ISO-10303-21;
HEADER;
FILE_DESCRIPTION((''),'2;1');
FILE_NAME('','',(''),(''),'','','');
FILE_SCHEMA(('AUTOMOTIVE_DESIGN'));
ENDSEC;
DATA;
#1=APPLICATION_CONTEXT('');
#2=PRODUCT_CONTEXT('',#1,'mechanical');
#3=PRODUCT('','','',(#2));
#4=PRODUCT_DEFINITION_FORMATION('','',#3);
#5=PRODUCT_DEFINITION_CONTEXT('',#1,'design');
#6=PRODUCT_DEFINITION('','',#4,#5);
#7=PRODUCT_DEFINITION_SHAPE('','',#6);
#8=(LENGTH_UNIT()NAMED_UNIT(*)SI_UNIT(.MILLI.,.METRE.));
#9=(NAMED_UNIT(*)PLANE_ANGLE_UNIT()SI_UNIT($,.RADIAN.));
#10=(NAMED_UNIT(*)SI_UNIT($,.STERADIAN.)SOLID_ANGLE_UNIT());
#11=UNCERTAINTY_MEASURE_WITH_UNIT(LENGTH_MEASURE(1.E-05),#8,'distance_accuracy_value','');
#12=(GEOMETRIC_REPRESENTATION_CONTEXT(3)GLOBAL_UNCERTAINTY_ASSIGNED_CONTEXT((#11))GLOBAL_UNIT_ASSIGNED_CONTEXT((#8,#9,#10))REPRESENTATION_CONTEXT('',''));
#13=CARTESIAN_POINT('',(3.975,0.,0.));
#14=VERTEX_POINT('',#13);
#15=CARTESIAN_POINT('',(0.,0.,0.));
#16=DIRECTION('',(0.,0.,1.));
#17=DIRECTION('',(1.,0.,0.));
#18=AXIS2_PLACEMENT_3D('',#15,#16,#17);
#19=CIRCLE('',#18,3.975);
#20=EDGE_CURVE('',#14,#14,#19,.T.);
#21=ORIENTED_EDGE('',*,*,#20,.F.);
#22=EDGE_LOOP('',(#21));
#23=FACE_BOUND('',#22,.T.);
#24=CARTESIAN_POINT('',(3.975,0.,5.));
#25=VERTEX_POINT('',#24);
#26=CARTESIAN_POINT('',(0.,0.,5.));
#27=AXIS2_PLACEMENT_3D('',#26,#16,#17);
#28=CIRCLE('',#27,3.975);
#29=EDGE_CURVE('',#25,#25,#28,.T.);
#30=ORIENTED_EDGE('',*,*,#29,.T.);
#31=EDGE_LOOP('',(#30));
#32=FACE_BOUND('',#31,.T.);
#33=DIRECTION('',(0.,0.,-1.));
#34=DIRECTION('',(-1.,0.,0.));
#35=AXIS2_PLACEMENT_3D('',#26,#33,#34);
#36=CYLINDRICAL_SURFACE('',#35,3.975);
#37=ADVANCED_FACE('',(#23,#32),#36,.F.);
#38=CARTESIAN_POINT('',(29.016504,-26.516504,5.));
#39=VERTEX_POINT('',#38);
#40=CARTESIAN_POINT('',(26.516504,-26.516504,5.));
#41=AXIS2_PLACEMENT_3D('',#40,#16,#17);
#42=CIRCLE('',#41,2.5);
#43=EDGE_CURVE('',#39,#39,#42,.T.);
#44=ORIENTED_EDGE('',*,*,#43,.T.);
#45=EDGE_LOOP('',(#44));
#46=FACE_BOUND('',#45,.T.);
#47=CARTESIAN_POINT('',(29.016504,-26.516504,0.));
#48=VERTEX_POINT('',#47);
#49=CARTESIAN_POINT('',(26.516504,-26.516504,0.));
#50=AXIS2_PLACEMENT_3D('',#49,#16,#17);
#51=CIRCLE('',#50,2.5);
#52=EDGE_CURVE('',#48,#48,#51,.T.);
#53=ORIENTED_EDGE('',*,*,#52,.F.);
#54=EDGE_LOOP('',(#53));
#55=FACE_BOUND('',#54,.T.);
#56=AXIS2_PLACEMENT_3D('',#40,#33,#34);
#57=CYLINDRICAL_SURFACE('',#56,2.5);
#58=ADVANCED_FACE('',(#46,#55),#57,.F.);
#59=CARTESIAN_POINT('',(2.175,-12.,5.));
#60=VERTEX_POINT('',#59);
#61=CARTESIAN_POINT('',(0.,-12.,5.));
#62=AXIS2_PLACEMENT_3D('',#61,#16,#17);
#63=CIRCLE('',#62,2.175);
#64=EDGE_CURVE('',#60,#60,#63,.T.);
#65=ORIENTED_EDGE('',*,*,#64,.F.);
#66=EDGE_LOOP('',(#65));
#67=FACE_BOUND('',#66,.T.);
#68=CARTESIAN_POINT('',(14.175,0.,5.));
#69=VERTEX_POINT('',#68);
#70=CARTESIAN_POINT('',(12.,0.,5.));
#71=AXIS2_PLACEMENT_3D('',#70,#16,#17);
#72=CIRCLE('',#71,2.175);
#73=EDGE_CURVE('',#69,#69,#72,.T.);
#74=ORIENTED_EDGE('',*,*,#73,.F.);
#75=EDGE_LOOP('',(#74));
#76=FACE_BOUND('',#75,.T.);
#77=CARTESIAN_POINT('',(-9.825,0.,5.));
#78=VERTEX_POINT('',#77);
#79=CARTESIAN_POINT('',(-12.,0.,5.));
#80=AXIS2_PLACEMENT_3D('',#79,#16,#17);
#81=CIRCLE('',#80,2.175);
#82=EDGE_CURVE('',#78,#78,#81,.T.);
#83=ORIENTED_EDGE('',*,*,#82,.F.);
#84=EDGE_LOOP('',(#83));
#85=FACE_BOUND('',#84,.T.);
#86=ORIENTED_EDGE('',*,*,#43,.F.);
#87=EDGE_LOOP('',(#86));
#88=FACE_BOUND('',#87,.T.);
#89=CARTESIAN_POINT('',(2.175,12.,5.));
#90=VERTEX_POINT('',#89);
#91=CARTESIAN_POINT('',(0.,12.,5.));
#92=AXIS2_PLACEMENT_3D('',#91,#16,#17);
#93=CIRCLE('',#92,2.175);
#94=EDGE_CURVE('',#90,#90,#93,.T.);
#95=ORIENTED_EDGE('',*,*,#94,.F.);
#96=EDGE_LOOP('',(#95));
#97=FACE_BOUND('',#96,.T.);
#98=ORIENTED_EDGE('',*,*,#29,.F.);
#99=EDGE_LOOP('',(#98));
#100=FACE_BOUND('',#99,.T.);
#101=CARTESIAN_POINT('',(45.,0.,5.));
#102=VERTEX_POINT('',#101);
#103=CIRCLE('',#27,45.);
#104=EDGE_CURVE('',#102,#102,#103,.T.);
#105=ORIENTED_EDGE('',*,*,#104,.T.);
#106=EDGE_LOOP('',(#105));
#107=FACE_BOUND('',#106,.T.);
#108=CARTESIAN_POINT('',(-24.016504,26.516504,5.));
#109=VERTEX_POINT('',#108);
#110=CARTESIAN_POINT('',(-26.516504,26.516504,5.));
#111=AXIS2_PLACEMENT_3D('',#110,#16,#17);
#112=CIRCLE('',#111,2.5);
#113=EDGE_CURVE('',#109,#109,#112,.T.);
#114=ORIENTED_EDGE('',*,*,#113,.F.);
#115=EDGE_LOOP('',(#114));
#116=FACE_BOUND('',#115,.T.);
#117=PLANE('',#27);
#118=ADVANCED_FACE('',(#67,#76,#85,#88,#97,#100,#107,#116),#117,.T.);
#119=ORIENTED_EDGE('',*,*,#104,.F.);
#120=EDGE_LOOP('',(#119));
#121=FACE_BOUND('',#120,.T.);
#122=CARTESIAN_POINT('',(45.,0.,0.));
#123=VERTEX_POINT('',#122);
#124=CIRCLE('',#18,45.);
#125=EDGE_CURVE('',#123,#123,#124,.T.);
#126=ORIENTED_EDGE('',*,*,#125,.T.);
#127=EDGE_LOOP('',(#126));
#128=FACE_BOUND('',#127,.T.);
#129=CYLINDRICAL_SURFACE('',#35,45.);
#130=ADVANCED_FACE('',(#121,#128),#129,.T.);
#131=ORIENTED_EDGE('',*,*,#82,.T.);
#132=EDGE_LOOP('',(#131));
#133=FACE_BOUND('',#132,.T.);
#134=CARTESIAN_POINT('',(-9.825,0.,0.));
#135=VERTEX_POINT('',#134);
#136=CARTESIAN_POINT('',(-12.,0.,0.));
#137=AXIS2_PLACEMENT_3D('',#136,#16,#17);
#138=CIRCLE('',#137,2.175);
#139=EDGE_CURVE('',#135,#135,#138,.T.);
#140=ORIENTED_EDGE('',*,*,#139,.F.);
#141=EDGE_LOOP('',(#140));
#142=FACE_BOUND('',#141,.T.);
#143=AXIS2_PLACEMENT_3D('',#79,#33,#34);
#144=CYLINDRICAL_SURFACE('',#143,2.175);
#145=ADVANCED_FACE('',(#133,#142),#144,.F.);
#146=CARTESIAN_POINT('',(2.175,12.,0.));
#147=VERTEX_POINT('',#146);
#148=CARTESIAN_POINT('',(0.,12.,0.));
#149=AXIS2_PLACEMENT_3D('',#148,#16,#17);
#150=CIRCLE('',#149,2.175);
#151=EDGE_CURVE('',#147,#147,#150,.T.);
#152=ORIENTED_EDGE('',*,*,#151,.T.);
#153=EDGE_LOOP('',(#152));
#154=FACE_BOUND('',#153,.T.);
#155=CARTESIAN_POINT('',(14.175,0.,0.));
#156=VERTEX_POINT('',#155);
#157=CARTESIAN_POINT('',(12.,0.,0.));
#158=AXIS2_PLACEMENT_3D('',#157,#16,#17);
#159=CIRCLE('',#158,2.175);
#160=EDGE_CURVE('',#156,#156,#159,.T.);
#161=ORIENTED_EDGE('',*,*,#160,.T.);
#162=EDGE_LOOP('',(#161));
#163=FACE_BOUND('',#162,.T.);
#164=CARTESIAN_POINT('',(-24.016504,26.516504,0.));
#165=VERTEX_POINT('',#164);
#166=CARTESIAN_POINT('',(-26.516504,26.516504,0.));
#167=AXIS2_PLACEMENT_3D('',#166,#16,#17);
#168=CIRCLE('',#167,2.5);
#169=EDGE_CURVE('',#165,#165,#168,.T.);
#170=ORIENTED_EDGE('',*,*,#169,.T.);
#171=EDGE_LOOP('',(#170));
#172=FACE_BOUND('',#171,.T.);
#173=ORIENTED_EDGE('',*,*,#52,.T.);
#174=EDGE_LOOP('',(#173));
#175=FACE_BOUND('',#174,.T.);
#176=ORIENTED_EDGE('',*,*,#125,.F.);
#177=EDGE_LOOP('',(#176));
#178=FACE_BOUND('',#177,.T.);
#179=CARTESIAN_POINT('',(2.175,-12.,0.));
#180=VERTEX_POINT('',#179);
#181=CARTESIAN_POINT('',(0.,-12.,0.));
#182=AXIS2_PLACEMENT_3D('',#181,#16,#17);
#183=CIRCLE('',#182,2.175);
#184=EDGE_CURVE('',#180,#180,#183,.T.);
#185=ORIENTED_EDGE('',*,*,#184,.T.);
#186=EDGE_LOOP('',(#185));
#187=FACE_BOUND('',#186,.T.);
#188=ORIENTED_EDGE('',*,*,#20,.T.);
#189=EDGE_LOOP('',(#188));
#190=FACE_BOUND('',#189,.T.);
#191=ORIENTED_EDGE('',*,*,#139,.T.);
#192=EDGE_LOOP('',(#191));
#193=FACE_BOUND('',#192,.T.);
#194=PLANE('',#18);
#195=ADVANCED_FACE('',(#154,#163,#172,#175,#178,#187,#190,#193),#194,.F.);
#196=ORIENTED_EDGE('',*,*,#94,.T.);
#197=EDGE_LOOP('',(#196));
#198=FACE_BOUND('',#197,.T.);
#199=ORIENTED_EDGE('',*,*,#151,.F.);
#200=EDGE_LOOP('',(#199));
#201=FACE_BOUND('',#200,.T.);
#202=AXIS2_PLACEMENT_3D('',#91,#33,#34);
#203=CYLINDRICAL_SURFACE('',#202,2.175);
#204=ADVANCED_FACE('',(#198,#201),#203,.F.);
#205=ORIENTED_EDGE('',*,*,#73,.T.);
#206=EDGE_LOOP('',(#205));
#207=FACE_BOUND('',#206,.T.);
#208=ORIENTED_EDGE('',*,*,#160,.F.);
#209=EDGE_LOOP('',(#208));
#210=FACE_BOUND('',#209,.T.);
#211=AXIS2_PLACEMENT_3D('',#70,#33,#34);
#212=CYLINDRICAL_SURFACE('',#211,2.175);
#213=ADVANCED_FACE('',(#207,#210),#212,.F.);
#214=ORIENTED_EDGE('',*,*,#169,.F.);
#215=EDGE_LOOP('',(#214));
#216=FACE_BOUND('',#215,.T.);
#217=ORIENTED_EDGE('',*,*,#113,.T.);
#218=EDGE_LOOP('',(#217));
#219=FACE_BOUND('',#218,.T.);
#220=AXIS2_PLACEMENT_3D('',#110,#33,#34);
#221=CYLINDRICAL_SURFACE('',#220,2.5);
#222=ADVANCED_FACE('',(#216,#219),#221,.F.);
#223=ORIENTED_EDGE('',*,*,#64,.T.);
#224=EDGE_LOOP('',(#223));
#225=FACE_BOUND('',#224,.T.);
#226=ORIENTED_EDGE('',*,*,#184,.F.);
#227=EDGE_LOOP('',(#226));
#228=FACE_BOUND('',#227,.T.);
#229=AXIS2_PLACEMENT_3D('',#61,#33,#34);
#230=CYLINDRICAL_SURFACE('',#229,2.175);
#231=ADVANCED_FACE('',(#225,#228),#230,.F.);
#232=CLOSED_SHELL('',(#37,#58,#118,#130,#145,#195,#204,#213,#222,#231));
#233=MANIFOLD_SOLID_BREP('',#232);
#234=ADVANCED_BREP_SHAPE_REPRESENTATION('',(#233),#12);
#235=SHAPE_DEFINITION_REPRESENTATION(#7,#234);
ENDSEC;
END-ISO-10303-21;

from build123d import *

# Parameters (mm, degrees)
SKETCH1_R           = 45
SKETCH1_R_2         = 2.175
SKETCH1_R_3         = 3.975
SKETCH1_R_4         = 2.5
BOSS_EXTRUDE1_DEPTH = 5


with BuildPart() as part:
    # Sketch1 → Boss-Extrude1 (new body)
    with BuildSketch(Plane.XY):
        Circle(SKETCH1_R)
        with Locations((12, 0)):
            Circle(SKETCH1_R_2, mode=Mode.SUBTRACT)
        with Locations((0, 12)):
            Circle(SKETCH1_R_2, mode=Mode.SUBTRACT)
        with Locations((-12, 0)):
            Circle(SKETCH1_R_2, mode=Mode.SUBTRACT)
        with Locations((0, -12)):
            Circle(SKETCH1_R_2, mode=Mode.SUBTRACT)
        Circle(SKETCH1_R_3, mode=Mode.SUBTRACT)
        with Locations((-26.516504294, 26.516504294)):
            Circle(SKETCH1_R_4, mode=Mode.SUBTRACT)
        with Locations((26.516504294, -26.516504294)):
            Circle(SKETCH1_R_4, mode=Mode.SUBTRACT)
    extrude(amount=BOSS_EXTRUDE1_DEPTH)


solid = part.part
